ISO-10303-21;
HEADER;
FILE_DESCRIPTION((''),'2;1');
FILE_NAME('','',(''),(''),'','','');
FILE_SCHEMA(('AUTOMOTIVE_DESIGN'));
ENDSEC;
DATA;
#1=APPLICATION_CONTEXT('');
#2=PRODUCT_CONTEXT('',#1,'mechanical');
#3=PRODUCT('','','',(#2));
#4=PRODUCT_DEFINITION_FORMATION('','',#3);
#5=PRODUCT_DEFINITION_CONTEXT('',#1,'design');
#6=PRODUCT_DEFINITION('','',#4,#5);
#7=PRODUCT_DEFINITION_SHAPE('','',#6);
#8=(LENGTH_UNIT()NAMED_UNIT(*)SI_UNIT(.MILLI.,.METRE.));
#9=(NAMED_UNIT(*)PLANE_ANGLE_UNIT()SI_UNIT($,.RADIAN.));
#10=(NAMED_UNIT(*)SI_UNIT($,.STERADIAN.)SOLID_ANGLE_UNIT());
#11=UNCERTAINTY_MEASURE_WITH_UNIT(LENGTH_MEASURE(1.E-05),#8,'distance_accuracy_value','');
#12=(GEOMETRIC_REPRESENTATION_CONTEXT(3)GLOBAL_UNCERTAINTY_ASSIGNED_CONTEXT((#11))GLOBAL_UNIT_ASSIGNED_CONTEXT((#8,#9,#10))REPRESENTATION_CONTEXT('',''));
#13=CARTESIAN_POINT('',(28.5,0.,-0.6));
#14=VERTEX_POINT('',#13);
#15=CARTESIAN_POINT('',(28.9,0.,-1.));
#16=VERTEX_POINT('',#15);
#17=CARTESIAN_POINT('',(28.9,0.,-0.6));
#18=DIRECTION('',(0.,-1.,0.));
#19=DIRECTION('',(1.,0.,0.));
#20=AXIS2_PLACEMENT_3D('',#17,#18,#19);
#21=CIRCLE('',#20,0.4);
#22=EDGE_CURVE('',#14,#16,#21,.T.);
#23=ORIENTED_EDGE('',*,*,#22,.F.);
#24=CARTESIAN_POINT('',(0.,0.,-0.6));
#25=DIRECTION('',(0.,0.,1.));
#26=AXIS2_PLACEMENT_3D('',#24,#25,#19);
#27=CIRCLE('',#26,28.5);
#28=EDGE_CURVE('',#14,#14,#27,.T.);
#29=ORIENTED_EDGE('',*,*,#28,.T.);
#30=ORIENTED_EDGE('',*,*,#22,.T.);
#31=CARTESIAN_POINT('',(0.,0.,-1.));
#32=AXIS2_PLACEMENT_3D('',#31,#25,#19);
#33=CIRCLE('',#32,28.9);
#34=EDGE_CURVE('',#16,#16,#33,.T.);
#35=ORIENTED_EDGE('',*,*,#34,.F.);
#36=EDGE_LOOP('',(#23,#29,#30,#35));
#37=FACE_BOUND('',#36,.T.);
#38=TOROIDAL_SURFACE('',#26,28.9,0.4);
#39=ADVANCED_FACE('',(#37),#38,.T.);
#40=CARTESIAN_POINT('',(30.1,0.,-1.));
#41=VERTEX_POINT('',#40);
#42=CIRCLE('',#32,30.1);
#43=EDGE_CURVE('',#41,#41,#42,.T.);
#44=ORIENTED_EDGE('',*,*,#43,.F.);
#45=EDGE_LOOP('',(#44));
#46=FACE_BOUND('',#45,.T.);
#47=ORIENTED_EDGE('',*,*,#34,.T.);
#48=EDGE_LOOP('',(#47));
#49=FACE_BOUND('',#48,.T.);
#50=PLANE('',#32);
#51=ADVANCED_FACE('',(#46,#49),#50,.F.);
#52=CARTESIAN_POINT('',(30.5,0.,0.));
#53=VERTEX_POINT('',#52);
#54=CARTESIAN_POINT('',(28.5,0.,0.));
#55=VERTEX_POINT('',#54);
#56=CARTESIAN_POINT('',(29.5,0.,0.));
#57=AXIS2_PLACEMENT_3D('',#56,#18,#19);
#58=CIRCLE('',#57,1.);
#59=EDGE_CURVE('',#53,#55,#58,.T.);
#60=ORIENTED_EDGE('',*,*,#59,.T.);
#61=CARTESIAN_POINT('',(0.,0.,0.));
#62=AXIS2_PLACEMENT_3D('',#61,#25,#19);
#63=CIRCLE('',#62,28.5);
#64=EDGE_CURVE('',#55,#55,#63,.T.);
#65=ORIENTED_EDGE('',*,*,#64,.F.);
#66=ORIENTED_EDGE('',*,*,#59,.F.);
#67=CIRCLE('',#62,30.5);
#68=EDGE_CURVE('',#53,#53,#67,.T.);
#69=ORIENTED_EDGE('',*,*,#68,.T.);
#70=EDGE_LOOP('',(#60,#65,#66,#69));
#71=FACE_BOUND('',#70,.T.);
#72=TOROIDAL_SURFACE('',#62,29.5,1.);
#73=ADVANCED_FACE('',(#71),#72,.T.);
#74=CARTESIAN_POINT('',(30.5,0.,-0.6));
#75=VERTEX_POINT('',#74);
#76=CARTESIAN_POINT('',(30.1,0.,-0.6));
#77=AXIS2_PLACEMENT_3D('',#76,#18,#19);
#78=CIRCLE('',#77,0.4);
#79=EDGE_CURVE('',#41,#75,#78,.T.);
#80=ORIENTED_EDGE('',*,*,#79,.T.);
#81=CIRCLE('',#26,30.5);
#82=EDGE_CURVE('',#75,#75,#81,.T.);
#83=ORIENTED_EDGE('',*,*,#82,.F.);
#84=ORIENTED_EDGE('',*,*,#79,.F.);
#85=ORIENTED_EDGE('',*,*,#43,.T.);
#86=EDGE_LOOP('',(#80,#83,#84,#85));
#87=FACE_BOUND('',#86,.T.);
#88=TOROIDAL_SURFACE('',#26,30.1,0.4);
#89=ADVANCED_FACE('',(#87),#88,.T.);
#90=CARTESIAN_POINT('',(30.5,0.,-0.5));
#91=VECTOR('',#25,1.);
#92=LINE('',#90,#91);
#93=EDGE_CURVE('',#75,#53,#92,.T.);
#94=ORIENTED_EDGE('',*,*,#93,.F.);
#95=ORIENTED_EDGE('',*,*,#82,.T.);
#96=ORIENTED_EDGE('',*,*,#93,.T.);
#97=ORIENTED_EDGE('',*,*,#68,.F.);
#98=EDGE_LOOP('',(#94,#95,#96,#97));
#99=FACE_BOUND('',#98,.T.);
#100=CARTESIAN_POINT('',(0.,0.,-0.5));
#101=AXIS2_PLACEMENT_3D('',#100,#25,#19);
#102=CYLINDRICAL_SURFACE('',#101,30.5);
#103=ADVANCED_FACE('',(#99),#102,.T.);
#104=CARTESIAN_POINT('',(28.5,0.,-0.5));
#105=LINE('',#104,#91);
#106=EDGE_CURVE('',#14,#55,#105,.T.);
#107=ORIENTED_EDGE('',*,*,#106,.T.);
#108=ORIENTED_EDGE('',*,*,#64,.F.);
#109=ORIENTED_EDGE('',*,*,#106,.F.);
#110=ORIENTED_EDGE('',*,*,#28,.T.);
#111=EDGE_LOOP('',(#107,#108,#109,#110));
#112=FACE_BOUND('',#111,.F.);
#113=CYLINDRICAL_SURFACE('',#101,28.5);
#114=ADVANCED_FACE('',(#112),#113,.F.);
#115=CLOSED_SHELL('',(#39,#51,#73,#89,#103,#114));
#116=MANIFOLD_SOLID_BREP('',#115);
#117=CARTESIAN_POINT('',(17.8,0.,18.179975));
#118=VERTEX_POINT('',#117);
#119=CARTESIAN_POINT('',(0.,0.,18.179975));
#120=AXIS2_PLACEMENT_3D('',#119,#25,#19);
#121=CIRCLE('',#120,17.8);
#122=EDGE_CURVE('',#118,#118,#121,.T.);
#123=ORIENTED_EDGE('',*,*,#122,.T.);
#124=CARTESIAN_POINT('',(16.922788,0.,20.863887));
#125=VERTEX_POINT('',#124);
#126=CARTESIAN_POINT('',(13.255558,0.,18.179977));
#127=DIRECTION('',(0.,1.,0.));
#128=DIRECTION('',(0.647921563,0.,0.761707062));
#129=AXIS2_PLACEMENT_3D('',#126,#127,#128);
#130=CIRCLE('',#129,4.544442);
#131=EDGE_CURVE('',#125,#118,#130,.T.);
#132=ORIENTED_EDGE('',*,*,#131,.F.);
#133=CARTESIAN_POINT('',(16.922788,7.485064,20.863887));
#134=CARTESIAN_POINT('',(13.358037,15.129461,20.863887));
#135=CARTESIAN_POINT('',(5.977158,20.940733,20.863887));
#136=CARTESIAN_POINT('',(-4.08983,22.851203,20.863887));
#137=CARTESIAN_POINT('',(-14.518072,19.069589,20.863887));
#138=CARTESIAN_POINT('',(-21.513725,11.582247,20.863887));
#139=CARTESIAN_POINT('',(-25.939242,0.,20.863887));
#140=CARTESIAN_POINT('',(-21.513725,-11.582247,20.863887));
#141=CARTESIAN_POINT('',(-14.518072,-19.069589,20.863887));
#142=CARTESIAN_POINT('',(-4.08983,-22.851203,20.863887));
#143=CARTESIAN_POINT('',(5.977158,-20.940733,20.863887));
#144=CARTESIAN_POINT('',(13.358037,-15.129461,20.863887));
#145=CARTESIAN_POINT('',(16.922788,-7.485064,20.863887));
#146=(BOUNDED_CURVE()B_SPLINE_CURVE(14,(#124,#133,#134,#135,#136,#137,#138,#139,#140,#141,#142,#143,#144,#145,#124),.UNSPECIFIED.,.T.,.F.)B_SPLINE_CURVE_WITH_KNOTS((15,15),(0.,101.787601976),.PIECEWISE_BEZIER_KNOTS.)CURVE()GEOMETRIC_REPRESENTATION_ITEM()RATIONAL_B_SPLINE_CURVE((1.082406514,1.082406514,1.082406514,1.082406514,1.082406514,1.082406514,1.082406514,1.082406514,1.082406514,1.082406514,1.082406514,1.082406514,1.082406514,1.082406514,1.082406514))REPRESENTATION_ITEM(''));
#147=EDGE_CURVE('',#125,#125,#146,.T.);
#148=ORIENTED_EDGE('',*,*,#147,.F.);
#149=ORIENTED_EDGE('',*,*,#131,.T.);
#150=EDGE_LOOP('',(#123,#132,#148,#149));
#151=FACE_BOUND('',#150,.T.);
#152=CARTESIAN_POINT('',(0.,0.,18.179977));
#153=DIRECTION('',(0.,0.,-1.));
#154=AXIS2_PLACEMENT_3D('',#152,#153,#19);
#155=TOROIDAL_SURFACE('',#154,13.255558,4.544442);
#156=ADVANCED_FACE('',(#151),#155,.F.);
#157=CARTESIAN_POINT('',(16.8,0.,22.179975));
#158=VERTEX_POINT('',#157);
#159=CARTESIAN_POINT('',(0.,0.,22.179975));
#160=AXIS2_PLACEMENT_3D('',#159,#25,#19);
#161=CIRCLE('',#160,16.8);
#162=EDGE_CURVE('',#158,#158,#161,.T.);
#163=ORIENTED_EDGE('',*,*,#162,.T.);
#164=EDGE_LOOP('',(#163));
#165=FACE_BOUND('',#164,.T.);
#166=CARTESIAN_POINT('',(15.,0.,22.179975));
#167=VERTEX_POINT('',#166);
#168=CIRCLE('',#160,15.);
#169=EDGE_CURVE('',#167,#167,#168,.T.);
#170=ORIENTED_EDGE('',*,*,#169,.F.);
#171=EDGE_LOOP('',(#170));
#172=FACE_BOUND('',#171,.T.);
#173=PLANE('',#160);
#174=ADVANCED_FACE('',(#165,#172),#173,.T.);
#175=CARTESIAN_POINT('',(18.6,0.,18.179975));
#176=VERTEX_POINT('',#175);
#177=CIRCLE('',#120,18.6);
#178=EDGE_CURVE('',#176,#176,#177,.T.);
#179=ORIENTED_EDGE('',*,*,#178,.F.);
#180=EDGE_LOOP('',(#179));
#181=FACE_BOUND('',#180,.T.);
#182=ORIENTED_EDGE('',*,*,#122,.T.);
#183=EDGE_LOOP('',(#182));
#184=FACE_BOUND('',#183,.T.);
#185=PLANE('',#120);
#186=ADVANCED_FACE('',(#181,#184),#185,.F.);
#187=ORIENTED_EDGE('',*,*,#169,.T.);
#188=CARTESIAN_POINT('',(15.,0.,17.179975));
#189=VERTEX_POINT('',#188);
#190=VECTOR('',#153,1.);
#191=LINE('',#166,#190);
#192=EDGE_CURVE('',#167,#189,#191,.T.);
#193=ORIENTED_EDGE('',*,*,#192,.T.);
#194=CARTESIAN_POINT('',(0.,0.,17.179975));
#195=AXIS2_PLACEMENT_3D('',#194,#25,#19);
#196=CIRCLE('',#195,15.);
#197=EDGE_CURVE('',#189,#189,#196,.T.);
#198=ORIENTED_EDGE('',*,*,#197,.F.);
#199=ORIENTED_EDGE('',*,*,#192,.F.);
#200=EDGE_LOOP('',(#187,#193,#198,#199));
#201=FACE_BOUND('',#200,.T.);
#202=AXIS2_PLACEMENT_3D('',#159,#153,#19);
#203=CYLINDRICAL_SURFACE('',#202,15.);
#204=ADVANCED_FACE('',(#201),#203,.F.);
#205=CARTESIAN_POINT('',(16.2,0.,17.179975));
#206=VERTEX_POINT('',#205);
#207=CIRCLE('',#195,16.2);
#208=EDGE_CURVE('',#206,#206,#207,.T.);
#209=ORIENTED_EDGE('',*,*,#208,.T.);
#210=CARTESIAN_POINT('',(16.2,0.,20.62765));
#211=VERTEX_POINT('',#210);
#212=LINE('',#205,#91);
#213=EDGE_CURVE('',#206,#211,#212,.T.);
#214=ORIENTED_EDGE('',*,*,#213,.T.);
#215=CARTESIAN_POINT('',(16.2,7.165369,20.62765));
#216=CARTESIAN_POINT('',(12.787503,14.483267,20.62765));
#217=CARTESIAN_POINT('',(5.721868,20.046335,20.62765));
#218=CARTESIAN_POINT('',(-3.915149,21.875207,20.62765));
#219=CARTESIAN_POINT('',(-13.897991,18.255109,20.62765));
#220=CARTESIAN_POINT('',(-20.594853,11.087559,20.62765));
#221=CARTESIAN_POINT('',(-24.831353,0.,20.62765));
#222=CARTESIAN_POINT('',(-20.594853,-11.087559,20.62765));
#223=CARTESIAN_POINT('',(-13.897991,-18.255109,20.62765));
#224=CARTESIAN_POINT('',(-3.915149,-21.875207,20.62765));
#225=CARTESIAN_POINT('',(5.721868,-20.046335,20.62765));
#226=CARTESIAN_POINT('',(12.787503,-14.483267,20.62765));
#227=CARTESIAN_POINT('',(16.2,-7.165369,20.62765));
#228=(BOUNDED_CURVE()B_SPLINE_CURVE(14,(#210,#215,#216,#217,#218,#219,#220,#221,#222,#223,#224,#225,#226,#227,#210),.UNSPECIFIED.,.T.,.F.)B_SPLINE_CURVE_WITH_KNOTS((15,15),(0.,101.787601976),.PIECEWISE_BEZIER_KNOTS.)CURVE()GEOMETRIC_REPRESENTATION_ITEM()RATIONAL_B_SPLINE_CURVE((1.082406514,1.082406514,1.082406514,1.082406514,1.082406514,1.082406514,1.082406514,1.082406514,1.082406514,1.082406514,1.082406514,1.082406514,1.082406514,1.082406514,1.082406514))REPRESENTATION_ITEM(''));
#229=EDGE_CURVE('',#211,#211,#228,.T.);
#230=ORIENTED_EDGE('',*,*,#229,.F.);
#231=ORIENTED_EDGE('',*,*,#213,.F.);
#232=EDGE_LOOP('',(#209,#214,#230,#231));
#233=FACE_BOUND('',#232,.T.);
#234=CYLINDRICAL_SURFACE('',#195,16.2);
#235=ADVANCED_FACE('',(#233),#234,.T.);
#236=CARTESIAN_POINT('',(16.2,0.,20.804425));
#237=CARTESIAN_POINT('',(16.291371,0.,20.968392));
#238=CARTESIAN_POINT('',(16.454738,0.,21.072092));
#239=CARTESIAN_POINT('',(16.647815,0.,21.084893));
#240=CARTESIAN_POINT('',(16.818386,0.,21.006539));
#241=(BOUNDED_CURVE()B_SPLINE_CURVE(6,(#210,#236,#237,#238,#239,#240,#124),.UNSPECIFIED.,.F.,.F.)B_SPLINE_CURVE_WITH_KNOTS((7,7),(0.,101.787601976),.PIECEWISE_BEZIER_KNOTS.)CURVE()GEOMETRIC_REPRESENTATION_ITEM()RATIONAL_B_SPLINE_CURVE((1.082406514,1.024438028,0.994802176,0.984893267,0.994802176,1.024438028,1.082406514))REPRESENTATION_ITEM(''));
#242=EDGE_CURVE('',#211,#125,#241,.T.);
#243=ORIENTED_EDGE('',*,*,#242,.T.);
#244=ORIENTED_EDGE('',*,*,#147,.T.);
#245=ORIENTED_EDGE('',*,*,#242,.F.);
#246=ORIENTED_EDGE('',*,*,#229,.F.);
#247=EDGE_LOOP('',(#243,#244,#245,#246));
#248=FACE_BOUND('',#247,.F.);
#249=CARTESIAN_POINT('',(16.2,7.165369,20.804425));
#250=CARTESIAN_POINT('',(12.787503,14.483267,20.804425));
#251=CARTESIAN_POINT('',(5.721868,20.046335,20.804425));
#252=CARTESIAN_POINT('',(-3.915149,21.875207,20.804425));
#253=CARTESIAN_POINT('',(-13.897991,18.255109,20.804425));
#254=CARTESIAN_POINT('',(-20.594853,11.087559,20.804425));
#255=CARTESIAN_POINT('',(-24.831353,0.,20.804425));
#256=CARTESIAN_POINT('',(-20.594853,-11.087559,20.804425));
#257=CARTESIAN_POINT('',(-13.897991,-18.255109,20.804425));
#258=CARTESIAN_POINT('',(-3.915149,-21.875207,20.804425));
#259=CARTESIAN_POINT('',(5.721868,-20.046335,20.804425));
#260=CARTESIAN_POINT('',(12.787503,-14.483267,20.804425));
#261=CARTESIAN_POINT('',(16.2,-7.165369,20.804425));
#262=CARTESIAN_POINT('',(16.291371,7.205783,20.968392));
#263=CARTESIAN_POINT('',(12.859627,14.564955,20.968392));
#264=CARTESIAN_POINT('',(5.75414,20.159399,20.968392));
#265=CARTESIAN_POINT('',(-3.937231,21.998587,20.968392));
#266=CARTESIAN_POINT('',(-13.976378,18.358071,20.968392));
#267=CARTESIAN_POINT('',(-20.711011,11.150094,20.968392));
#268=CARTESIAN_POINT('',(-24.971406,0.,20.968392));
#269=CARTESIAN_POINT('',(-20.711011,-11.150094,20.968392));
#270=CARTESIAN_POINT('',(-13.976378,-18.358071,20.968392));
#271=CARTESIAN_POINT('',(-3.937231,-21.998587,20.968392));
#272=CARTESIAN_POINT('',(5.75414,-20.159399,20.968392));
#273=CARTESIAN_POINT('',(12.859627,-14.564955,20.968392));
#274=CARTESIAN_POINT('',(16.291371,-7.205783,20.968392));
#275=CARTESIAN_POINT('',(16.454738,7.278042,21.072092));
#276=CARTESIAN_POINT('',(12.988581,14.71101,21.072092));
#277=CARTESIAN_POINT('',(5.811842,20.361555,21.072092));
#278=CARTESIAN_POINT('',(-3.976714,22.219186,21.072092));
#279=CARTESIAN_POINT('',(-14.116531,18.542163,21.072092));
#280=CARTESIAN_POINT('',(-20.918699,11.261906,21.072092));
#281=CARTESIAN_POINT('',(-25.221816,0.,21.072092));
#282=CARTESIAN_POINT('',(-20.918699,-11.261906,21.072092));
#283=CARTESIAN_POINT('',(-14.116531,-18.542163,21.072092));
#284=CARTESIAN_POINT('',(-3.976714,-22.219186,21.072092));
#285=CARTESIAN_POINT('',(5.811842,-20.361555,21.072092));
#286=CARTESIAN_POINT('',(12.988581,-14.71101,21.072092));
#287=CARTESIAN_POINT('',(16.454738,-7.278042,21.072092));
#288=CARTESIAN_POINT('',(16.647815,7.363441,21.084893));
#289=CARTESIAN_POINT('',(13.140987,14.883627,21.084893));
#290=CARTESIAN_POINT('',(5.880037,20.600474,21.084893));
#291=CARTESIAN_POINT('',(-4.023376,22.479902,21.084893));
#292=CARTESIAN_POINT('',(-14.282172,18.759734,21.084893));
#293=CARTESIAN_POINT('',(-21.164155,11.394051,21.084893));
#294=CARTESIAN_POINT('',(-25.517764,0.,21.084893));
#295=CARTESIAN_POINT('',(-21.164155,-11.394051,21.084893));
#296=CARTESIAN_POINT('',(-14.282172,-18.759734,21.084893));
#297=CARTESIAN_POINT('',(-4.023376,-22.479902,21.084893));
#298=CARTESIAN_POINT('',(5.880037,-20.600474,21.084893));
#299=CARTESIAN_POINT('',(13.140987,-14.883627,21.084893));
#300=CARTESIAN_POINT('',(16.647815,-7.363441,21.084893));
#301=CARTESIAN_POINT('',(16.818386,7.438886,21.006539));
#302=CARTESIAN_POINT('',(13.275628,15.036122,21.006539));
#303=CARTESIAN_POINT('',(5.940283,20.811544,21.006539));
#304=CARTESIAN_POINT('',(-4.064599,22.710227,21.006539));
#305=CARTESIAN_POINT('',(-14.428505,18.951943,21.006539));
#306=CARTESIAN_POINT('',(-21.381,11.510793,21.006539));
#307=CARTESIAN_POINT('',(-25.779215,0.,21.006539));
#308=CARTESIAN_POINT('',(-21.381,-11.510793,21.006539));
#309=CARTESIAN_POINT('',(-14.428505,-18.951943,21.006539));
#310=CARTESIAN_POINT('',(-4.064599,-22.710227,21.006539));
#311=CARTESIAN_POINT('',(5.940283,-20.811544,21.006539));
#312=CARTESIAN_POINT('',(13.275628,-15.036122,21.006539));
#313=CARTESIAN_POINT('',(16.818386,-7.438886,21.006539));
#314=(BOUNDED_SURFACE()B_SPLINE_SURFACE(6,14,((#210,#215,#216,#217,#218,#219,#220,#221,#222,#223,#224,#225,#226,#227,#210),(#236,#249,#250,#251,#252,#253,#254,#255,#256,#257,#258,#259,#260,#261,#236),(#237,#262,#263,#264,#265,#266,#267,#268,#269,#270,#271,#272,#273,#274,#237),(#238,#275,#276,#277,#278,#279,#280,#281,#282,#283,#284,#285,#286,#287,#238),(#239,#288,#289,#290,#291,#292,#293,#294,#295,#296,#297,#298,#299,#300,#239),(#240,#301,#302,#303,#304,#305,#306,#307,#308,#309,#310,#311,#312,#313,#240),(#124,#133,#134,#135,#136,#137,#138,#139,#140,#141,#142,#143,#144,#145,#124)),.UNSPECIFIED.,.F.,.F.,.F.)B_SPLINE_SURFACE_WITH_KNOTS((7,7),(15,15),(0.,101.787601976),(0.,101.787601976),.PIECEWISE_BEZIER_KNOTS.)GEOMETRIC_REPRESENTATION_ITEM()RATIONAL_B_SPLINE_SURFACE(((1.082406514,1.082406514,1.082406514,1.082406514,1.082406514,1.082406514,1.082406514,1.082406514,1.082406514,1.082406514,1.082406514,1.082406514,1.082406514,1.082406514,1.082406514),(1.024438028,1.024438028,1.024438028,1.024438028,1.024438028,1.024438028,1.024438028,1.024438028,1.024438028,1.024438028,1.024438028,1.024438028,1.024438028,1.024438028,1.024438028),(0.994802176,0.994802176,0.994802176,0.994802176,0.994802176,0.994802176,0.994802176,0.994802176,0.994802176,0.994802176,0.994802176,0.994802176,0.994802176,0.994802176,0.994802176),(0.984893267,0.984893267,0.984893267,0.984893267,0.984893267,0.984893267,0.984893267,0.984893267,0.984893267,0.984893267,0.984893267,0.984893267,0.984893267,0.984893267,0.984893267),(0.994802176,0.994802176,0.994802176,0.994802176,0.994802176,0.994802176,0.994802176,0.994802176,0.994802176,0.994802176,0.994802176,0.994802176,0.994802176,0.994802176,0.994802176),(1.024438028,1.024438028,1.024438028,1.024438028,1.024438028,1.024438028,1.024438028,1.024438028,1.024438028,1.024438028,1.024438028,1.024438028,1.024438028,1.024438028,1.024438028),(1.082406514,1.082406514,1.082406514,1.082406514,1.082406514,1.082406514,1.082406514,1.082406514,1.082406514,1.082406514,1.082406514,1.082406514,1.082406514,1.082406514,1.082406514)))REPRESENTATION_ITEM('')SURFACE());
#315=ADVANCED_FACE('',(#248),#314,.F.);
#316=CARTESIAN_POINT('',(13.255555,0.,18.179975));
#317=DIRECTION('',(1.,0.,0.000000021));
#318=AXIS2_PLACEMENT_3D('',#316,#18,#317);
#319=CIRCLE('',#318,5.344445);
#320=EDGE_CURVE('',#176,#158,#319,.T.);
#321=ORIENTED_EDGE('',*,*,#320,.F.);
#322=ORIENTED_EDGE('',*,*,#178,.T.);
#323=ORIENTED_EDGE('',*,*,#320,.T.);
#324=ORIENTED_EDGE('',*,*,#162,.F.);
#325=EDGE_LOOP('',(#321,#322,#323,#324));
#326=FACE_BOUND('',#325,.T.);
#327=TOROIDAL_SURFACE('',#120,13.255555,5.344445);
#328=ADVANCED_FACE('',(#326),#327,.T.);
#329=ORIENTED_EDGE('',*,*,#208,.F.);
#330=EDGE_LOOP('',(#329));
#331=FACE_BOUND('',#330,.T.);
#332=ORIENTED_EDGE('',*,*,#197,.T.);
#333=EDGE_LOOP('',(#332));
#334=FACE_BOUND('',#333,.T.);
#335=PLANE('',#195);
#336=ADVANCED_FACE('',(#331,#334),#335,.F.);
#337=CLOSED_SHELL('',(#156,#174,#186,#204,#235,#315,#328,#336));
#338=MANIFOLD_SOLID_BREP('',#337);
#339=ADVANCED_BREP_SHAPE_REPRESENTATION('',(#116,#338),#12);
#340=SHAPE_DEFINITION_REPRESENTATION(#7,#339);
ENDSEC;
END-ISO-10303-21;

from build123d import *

# Parameters (mm, degrees)
F0_W = 2
F0_H = 1
F2_R = 0.4
F3_R = 0.4


with BuildPart() as f1:
    # F0 (on Front) → F1 (revolve)
    with BuildSketch(Plane.XZ):
        with BuildLine():
            Line((28.5, 0), (30.5, 0))
            ThreePointArc((30.5, 0), (29.5, 1), (28.5, 0))
        make_face()
        with Locations((29.5, -0.5)):
            Rectangle(F0_W, F0_H)
        with BuildLine():
            Line((15, 22.179975), (15, 17.179975))
            Line((15, 17.179975), (16.2, 17.179975))
            Line((16.2, 17.179975), (16.2, 21.64151))
            ThreePointArc((16.2, 21.64151), (17.380652, 20.086689), (17.8, 18.179975))
            Line((17.8, 18.179975), (18.6, 18.179975))
            ThreePointArc((18.6, 18.179975), (18.129269, 20.373147), (16.8, 22.179975))
            Line((16.8, 22.179975), (15, 22.179975))
        make_face()
    revolve(axis=Axis((0, 0, 0.963449), (0, 0, 1)))

    # F2
    f2_edges = [f1.edges().sort_by_distance(p)[0] for p in [
        (-28.5, 0, -1),
        (-30.5, 0, -1),
    ]]
    fillet(f2_edges, radius=F2_R)

    # F3
    f3_edges = [f1.edges().sort_by_distance(p)[0] for p in [
        (-16.2, 0, 21.64151),
    ]]
    fillet(f3_edges, radius=F3_R)


solid = f1.part
